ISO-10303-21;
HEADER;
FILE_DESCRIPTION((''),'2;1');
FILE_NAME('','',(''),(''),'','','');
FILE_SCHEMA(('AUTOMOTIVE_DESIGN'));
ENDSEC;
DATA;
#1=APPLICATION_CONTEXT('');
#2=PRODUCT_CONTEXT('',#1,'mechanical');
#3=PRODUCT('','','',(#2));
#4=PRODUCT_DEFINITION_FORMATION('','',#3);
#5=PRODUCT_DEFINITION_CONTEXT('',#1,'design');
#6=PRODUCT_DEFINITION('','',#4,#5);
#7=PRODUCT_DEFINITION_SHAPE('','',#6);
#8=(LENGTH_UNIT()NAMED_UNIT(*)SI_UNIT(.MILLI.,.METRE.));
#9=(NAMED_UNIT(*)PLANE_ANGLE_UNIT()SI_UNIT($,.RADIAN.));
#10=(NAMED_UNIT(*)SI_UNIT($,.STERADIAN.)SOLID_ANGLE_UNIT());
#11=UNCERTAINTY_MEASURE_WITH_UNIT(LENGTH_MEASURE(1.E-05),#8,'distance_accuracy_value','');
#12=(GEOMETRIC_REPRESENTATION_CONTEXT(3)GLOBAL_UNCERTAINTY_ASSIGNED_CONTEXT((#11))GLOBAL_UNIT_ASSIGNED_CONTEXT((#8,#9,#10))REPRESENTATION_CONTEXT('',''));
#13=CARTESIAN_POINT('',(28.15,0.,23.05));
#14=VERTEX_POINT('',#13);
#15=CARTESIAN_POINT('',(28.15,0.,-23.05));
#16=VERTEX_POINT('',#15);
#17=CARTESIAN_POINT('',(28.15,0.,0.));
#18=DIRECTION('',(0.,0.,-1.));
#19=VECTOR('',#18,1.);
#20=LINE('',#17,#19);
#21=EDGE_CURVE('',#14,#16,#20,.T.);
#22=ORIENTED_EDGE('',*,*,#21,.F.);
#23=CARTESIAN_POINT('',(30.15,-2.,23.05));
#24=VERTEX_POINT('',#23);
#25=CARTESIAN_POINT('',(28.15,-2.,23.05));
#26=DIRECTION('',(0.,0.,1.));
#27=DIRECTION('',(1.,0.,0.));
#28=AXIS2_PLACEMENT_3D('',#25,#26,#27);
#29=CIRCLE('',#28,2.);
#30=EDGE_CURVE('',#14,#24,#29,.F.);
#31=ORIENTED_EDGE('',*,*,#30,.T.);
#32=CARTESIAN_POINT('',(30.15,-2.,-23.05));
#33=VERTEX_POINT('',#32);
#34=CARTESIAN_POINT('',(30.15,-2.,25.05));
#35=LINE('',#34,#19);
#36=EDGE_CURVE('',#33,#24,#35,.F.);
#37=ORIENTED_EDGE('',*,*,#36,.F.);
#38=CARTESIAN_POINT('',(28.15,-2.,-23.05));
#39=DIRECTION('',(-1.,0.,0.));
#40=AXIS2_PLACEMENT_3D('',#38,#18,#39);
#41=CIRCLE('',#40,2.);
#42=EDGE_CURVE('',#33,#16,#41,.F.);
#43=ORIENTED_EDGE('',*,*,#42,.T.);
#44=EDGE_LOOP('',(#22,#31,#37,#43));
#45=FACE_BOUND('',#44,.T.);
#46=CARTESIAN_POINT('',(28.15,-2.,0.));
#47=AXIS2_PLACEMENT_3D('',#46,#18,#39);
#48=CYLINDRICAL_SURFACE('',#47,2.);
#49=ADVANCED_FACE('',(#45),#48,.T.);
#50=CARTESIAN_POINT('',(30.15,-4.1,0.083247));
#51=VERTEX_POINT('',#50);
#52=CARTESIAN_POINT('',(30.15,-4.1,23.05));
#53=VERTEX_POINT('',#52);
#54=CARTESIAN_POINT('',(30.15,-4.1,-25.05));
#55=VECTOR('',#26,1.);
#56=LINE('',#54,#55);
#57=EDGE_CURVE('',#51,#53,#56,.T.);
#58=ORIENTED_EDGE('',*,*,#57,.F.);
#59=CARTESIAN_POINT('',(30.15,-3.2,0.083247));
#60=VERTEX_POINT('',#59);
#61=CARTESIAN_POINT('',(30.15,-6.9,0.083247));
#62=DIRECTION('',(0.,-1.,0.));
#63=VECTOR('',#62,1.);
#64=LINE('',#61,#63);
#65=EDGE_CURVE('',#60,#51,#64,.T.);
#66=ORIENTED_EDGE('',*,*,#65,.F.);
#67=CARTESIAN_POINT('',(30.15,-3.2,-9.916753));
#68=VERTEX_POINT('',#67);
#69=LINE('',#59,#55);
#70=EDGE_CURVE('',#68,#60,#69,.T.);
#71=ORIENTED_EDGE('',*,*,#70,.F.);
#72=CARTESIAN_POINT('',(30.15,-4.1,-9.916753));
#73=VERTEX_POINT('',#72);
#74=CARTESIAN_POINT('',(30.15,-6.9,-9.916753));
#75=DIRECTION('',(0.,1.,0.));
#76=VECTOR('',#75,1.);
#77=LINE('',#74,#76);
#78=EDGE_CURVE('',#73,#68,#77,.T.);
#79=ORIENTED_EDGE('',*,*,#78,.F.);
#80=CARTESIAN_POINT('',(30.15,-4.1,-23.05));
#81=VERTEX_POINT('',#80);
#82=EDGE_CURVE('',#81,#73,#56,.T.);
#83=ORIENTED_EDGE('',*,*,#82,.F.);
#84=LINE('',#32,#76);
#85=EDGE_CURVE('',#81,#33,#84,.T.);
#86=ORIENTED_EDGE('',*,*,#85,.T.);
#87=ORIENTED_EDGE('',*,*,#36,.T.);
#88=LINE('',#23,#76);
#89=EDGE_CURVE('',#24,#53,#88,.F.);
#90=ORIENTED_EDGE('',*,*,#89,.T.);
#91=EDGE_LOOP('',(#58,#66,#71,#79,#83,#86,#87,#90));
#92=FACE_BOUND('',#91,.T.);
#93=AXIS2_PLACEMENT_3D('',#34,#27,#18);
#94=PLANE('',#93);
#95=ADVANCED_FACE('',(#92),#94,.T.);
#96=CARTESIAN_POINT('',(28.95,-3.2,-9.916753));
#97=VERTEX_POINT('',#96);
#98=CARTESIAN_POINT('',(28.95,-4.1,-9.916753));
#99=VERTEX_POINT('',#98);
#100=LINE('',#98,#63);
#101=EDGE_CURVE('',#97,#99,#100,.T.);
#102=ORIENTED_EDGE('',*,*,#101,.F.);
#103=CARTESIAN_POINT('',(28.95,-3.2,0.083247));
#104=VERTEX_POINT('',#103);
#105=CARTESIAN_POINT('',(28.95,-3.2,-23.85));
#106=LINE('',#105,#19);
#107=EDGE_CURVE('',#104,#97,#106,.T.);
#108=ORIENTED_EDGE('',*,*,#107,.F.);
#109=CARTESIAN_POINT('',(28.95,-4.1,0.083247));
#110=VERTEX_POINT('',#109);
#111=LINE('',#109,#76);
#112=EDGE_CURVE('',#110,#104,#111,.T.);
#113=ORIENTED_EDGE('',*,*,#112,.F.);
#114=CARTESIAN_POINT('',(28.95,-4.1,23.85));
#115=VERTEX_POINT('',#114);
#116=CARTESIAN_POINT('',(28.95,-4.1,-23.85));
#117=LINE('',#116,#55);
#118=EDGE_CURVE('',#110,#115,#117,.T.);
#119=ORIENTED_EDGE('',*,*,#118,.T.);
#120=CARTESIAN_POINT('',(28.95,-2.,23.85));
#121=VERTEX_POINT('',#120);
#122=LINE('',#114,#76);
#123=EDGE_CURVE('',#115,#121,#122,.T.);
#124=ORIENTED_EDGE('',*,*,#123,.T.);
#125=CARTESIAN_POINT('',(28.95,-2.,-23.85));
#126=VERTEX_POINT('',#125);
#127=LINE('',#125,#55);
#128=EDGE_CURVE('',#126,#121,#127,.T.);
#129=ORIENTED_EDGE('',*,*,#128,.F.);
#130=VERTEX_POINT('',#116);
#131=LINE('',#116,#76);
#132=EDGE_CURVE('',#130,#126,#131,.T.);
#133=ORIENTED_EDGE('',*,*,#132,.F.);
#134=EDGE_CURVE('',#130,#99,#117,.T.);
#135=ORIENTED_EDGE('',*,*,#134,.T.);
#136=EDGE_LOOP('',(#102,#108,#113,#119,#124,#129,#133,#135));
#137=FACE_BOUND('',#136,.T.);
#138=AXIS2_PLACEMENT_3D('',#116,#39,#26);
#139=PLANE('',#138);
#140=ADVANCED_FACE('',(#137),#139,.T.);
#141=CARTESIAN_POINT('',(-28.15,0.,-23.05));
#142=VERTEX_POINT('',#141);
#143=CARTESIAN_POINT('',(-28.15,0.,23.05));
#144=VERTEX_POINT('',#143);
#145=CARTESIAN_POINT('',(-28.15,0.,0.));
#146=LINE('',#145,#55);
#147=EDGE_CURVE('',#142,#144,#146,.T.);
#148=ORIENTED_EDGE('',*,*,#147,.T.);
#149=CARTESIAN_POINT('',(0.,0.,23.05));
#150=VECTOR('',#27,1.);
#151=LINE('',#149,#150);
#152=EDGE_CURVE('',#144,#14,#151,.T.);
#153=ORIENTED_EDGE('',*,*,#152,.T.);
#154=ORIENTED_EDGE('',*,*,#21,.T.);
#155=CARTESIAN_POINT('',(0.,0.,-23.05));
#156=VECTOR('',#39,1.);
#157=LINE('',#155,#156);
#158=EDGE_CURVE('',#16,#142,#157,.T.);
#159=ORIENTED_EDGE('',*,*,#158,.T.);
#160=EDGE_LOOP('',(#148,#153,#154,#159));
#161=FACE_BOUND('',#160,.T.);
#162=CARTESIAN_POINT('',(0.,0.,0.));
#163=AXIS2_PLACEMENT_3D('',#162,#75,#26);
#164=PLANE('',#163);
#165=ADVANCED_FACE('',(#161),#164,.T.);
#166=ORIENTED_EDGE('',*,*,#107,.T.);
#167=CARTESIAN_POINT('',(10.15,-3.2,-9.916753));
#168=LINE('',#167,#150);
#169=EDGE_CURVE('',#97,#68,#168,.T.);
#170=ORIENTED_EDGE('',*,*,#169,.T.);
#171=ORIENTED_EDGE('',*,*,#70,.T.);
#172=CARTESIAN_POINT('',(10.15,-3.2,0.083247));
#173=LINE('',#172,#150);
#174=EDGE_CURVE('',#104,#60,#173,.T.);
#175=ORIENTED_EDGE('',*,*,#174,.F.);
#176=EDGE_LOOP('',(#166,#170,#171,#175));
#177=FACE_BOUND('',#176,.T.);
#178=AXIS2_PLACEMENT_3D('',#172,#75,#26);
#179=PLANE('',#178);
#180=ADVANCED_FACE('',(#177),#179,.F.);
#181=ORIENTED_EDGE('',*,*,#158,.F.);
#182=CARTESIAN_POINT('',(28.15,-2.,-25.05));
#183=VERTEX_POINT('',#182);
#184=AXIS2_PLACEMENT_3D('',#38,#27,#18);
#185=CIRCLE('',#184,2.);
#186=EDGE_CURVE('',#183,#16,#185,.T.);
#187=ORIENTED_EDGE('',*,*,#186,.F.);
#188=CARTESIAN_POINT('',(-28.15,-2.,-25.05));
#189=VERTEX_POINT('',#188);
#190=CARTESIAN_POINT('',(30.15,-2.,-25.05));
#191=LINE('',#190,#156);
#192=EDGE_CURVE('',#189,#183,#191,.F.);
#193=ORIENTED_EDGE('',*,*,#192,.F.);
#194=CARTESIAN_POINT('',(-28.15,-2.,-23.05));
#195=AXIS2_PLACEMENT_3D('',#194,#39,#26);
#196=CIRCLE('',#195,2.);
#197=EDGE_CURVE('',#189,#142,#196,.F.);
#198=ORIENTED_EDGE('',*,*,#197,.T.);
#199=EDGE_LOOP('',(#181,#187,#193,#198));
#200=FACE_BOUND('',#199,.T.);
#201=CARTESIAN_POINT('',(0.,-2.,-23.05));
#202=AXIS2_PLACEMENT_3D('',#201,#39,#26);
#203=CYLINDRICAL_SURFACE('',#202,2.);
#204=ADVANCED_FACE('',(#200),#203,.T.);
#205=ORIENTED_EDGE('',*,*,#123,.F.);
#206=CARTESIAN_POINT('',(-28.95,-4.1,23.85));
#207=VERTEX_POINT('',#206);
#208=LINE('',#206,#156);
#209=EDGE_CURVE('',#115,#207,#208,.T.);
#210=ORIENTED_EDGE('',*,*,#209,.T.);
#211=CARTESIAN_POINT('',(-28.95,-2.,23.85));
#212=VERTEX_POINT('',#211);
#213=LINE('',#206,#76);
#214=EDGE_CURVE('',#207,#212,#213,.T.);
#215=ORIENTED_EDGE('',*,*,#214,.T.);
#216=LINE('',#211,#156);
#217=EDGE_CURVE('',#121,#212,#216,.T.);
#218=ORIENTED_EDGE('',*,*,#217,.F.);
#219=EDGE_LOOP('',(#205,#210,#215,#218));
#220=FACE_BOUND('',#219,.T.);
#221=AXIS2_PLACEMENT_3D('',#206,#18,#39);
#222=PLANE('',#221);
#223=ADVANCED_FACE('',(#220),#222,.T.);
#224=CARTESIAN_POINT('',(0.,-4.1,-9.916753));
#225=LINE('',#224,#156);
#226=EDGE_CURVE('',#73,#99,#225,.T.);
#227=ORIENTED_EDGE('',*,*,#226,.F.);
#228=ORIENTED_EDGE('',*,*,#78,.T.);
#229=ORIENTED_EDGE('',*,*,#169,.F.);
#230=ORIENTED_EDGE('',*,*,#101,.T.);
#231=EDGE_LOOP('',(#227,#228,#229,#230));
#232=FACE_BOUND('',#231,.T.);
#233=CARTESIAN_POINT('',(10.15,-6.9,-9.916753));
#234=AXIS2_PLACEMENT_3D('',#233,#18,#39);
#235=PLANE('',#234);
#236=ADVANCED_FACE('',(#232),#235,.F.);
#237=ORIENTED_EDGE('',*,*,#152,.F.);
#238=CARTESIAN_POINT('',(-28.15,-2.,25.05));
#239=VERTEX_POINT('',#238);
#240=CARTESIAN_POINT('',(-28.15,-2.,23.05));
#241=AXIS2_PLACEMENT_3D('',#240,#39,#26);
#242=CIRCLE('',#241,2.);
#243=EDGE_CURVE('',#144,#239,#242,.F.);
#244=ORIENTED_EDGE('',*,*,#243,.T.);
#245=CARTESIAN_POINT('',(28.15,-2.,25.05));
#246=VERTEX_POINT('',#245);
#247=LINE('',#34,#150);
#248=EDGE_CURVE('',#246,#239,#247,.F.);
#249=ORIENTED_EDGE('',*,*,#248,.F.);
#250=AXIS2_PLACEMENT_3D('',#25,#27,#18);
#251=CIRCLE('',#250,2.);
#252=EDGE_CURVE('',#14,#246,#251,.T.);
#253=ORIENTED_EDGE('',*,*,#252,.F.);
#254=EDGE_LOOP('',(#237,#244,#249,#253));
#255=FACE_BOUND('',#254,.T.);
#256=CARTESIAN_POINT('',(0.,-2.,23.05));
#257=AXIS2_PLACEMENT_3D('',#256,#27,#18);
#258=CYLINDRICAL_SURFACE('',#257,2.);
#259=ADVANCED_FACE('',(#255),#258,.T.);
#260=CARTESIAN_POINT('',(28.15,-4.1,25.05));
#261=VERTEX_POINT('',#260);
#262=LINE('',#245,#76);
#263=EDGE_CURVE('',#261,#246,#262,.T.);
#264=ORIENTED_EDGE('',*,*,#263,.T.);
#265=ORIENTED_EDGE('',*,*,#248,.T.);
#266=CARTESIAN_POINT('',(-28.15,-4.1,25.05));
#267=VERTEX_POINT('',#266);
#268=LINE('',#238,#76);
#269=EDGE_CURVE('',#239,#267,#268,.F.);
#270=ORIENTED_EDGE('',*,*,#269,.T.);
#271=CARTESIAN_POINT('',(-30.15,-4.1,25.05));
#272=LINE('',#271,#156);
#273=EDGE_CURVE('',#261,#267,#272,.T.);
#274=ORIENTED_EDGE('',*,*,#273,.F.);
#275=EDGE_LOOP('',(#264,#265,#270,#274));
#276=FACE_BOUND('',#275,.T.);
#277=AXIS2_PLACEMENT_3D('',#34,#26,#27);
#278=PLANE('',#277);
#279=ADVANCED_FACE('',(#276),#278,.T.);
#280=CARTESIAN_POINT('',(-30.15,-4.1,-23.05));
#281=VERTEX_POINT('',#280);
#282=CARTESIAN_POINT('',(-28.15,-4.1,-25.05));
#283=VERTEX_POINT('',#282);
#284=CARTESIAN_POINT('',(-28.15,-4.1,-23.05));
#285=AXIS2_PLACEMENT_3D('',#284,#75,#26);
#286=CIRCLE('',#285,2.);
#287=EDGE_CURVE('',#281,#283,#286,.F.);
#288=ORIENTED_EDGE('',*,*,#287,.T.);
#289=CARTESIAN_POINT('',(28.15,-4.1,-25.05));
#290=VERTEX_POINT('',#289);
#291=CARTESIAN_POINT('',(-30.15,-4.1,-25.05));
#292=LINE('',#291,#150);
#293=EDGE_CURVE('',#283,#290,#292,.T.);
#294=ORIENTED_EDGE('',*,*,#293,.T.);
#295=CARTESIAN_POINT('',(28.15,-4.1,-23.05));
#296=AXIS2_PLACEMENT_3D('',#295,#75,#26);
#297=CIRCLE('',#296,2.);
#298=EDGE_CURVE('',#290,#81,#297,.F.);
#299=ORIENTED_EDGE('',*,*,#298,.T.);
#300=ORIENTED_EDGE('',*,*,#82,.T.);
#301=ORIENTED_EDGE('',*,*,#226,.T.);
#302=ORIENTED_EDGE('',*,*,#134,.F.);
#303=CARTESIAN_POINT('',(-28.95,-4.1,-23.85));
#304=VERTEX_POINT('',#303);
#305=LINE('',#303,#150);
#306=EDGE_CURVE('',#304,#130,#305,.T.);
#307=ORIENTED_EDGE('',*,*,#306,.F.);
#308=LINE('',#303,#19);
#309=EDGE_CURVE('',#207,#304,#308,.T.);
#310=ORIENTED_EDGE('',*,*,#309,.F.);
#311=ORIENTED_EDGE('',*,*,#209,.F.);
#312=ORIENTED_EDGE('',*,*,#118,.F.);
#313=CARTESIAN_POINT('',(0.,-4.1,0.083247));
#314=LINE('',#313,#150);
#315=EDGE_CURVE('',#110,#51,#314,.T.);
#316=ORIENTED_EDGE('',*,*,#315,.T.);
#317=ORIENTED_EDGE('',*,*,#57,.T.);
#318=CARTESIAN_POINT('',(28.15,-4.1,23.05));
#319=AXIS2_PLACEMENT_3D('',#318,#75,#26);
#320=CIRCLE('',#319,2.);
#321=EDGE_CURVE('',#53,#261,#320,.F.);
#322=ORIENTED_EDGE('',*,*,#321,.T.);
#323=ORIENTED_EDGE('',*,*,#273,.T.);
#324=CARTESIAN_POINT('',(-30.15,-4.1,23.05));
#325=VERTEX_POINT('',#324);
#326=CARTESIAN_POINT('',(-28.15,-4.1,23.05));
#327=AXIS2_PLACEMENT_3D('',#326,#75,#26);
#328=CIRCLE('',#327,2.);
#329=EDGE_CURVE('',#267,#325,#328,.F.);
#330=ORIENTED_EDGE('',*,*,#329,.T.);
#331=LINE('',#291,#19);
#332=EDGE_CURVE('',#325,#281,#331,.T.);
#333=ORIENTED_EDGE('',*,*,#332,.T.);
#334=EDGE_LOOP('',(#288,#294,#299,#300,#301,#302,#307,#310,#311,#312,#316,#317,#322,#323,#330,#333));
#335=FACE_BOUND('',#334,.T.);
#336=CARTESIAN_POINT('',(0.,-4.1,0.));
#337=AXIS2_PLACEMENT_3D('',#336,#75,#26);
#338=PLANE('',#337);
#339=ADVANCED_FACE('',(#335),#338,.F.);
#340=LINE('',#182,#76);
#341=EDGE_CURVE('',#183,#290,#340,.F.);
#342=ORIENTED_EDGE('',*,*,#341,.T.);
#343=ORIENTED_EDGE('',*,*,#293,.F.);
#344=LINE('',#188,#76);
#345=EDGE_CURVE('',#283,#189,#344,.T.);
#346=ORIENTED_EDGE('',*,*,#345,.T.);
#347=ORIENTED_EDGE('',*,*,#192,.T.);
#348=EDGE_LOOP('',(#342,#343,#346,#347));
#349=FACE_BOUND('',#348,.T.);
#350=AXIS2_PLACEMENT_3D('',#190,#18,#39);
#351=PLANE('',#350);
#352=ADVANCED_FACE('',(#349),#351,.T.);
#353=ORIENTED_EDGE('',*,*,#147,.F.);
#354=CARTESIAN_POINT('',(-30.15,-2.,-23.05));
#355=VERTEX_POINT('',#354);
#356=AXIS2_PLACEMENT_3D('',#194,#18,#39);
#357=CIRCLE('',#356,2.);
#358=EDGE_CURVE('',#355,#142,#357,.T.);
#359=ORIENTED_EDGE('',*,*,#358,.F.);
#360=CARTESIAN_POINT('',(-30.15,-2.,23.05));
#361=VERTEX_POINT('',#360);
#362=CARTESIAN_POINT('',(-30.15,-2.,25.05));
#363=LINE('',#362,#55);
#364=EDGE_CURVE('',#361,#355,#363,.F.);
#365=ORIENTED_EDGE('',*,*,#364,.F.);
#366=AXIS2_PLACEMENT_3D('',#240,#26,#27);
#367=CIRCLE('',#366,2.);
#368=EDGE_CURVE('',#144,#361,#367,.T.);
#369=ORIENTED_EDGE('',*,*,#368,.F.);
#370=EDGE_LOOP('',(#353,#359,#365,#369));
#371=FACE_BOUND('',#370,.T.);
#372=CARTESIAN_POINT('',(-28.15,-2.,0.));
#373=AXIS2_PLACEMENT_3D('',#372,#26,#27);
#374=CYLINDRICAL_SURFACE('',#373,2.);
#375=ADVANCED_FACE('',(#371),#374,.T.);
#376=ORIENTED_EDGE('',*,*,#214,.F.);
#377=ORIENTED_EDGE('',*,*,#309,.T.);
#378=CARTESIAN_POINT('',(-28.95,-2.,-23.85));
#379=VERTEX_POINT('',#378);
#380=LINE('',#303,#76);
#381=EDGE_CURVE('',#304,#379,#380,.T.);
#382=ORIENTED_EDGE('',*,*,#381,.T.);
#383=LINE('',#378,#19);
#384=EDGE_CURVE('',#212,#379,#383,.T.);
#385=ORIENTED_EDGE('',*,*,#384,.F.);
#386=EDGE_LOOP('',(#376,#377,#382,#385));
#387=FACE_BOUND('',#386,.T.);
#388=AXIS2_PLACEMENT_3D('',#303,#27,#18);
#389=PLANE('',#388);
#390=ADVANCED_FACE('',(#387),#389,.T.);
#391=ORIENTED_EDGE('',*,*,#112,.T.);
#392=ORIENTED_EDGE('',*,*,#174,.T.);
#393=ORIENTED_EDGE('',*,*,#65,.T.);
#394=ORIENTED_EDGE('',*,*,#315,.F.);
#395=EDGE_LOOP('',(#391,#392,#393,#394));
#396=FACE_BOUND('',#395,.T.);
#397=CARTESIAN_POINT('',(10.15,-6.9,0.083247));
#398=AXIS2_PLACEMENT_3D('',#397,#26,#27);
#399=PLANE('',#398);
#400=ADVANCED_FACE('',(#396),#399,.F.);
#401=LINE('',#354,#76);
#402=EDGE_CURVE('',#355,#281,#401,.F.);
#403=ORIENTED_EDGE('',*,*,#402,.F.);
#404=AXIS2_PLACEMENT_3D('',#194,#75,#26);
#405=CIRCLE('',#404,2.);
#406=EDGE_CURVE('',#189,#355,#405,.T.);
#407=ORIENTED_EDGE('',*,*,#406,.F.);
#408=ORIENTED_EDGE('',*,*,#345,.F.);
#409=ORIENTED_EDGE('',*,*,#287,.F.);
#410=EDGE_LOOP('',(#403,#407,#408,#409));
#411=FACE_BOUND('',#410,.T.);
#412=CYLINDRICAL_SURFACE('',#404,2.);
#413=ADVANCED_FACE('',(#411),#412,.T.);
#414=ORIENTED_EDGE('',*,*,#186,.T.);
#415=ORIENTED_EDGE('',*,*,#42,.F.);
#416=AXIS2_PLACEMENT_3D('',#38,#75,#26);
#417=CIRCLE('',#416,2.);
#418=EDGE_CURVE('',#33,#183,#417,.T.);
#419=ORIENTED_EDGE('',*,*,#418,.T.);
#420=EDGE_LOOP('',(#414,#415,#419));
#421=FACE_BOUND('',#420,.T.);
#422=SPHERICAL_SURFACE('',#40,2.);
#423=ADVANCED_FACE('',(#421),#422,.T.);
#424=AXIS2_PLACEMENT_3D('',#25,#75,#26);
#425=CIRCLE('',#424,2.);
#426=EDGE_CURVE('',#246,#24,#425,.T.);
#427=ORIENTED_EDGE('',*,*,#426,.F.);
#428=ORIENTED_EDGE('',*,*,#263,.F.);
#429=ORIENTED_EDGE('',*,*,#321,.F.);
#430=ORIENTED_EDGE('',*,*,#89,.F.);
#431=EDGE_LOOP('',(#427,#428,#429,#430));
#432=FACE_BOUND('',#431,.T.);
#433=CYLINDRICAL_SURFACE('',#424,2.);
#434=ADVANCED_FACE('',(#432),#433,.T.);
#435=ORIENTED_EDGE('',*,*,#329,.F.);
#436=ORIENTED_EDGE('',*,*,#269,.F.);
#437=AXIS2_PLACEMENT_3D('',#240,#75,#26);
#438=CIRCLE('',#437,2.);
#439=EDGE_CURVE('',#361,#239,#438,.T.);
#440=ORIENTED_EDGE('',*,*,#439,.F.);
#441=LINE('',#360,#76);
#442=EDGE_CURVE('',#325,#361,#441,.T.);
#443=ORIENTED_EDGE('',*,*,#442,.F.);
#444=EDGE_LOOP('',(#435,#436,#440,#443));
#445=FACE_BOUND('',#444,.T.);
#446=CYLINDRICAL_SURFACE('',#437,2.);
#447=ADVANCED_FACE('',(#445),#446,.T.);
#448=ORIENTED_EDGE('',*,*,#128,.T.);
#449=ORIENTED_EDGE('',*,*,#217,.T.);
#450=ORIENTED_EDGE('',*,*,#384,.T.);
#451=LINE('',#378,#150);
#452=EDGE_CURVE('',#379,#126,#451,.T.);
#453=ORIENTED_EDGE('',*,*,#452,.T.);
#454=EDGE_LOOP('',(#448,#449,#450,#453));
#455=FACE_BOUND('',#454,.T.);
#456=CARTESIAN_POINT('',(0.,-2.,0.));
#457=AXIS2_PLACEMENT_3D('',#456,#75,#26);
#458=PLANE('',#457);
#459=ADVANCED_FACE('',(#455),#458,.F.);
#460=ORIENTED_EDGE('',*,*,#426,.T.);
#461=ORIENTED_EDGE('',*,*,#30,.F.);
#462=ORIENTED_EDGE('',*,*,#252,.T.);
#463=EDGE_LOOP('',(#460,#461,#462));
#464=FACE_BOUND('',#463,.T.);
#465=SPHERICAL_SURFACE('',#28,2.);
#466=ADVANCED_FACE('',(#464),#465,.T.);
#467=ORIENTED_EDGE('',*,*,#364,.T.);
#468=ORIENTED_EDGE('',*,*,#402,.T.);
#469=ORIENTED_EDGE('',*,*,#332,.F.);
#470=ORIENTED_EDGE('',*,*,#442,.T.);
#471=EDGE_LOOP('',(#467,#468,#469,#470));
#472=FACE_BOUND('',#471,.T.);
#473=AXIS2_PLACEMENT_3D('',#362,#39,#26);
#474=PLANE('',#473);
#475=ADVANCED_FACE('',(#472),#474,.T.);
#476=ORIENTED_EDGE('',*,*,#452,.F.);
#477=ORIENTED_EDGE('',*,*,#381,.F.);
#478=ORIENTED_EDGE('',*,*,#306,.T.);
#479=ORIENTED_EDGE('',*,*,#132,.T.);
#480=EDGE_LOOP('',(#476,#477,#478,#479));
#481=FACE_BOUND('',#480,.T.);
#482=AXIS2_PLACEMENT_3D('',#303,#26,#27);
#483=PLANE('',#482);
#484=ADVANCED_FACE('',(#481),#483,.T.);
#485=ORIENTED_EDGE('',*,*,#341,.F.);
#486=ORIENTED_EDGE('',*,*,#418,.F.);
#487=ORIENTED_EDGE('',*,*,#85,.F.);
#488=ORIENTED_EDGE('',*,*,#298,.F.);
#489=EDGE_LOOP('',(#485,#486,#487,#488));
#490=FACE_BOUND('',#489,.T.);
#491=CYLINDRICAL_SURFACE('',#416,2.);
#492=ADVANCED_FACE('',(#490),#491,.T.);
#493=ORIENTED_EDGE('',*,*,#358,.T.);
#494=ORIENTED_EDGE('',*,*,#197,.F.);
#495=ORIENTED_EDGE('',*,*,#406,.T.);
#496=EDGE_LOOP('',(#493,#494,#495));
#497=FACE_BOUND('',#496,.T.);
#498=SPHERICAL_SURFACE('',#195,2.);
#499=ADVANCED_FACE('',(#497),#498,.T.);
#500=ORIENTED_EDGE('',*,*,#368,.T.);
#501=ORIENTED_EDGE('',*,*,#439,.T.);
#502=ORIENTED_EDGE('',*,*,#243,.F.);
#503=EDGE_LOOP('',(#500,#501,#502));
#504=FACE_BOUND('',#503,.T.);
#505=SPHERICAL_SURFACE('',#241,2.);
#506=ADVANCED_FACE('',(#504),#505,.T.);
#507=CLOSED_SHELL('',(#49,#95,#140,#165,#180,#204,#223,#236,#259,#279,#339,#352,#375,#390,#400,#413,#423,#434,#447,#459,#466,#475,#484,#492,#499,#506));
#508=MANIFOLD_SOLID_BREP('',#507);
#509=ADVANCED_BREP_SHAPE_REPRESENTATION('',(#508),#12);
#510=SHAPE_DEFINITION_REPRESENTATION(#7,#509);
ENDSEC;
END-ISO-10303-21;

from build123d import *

# Parameters (mm, degrees)
SKETCH1_W          = 60.3
SKETCH1_H          = 50.1
OUTERWALLS_DEPTH   = 2
SKETCH2_W          = 60.3
SKETCH2_H          = 50.1
SKETCH2_W_2        = 57.9
SKETCH2_H_2        = 47.7
INNER_DEPTH        = 2.1
SKETCH4_W          = 10
SKETCH4_H          = 3.7
CUT_EXTRUDE1_DEPTH = 20
FILLET1_R          = 2


with BuildPart() as part:
    # Sketch1 → OuterWalls (new body)
    with BuildSketch(Plane(origin=(0, 0, 0), x_dir=(1, 0, 0), z_dir=(0, 1, 0))):
        Rectangle(SKETCH1_W, SKETCH1_H)
    extrude(amount=-OUTERWALLS_DEPTH)

    # Sketch2 → Inner (add)
    with BuildSketch(Plane(origin=(0, -2, 0), x_dir=(-1, 0, 0), z_dir=(0, -1, 0))):
        Rectangle(SKETCH2_W, SKETCH2_H)
        Rectangle(SKETCH2_W_2, SKETCH2_H_2, mode=Mode.SUBTRACT)
    extrude(amount=INNER_DEPTH)

    # Sketch4 → Cut-Extrude1 (cut)
    with BuildSketch(Plane(origin=(30.15, 0, 0), x_dir=(0, 0, -1), z_dir=(1, 0, 0))):
        with Locations((4.91675286, -5.05)):
            Rectangle(SKETCH4_W, SKETCH4_H)
    extrude(amount=-CUT_EXTRUDE1_DEPTH, mode=Mode.SUBTRACT)

    # Fillet1
    fillet1_edges = [part.edges().sort_by_distance(p)[0] for p in [
        (0, 0, -25.05),
        (30.15, 0, 0),
        (0, 0, 25.05),
        (-30.15, 0, 0),
        (-30.15, -2.05, -25.05),
        (30.15, -2.05, -25.05),
        (30.15, -2.05, 25.05),
        (-30.15, -2.05, 25.05),
    ]]
    fillet(fillet1_edges, radius=FILLET1_R)


solid = part.part
